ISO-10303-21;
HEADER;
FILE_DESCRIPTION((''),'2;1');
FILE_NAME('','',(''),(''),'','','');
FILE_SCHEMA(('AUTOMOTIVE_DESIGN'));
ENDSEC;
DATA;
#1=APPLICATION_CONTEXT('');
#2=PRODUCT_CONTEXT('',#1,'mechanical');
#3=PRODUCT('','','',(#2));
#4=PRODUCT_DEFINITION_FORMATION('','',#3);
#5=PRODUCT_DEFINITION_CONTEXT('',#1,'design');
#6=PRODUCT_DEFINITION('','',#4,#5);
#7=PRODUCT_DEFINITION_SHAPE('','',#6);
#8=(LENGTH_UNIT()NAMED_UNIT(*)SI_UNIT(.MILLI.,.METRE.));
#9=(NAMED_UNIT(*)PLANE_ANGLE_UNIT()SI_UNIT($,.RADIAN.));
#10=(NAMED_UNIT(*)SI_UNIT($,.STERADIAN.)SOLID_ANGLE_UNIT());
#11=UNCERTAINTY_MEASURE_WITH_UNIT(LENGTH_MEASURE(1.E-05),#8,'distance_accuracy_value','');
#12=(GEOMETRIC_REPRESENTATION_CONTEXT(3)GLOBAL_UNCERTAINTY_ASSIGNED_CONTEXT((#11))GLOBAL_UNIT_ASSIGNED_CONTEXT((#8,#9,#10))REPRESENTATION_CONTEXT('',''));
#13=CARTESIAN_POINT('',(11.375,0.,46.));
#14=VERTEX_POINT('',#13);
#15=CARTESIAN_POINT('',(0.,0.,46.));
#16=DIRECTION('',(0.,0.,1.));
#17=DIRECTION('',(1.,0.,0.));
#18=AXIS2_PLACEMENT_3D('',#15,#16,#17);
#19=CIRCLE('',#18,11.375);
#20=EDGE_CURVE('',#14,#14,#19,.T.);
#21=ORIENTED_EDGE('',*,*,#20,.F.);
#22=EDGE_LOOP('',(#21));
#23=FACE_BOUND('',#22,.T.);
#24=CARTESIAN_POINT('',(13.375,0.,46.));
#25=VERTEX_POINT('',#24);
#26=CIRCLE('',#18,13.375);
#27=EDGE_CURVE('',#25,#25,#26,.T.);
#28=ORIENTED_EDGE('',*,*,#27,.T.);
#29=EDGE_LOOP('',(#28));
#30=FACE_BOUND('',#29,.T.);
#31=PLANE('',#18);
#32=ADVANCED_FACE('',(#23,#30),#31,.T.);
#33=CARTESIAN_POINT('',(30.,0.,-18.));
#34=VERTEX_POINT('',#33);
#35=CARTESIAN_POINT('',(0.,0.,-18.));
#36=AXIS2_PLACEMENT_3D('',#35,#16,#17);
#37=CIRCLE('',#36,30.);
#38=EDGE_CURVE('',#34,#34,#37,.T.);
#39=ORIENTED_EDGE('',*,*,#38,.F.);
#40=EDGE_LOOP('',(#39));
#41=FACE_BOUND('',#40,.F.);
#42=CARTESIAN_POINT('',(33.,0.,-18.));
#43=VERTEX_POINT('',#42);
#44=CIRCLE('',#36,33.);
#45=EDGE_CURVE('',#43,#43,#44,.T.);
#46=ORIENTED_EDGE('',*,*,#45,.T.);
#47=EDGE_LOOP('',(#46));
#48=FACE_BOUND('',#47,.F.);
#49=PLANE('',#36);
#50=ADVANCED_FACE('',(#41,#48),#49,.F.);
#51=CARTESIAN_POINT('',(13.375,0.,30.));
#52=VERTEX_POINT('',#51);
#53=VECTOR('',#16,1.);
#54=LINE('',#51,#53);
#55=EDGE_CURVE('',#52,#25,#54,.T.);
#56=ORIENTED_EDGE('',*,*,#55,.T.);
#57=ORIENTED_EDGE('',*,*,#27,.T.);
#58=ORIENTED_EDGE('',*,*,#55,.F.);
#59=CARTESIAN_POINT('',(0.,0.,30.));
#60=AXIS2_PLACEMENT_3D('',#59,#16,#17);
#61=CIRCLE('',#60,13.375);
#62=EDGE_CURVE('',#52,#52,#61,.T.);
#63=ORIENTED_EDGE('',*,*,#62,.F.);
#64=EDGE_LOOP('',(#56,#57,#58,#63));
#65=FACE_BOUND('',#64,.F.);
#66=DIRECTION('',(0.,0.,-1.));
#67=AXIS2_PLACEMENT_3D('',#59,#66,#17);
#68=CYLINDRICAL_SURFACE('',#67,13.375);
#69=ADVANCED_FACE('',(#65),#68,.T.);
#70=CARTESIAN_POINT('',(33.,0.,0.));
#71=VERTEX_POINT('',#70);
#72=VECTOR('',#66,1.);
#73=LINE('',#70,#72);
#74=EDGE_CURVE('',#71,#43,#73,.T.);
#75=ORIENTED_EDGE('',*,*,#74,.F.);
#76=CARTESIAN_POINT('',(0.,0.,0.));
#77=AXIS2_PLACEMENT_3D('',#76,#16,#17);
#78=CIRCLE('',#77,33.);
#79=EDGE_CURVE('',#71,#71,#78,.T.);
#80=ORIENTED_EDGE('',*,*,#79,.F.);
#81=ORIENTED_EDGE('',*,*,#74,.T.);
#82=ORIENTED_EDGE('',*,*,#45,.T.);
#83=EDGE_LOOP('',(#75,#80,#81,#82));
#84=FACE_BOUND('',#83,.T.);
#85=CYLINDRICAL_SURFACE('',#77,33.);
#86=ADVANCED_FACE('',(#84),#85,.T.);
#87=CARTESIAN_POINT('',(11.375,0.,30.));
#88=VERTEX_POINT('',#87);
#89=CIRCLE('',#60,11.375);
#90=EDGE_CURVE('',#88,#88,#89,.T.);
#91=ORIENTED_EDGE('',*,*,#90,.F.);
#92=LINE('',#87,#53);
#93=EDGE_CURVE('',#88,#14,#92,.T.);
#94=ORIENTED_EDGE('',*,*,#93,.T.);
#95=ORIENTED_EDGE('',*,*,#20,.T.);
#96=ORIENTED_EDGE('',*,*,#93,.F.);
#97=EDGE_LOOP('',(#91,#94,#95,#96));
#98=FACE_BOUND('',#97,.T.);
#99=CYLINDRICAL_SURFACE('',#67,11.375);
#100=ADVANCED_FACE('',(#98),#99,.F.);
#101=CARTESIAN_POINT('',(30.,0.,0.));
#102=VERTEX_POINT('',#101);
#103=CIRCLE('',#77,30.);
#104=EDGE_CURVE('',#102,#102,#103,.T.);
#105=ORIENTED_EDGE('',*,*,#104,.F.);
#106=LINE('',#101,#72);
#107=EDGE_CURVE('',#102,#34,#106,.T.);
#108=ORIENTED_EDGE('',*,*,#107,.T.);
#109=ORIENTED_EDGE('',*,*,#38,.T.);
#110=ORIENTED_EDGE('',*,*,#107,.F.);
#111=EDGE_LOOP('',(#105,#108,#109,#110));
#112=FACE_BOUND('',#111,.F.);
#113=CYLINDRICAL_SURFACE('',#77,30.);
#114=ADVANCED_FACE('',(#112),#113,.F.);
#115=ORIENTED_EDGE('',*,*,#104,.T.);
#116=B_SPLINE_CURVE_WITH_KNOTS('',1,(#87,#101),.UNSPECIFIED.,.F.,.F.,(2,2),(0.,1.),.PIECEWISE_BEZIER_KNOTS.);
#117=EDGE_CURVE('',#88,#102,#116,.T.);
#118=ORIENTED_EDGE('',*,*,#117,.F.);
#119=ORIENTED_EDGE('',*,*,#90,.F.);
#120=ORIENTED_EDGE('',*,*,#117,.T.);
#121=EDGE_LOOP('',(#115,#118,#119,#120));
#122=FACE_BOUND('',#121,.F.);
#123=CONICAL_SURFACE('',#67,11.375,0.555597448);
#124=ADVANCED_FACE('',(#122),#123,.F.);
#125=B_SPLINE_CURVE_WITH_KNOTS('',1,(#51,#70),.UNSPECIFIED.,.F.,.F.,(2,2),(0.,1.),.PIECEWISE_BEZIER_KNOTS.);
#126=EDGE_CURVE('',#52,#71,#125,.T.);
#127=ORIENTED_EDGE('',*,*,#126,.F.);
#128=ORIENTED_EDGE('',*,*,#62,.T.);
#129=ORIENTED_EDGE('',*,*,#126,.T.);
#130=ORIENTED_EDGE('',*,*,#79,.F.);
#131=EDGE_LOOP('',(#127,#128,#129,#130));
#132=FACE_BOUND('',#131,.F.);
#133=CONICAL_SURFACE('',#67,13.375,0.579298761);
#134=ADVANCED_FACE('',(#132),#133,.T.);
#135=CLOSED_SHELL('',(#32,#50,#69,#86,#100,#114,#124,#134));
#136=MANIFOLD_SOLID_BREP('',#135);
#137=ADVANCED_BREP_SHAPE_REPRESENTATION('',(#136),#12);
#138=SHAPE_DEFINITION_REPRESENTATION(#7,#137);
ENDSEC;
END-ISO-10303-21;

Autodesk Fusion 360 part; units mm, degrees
sketch "Boceto1" plane through (0, 0, 0) normal (0, 0, 1) x (1, 0, 0)
  circle A0 centre (0, 0) radius 30
  circle A1 centre (0, 0) radius 33
  dimension "d1" = 60
  dimension "d10" = 3
ref_plane "PlanoDeObra1" through (0, 0, 30) normal (0, 0, 1) x (1, 0, 0)
sketch "Boceto2" plane through (0, 0, 30) normal (0, 0, 1) x (1, 0, 0)
  circle A0 centre (0, 0) radius 13.375
  circle A1 centre (0, 0) radius 11.375
  dimension "d4" = 26.75
  dimension "d5" = -2
loft "Solevación1" add profiles "Boceto2", "Boceto1" section 1 section 2
loft "Solevación2" cut profiles "Boceto2", "Boceto1" section 1 contours A1 section 2 contours A0
extrude "Extruir1" add sketch "Boceto2" along normal blind 16
extrude "Extruir2" add sketch "Boceto1" against normal blind 18
sketch "Boceto3" plane through (0, 0, 0) normal (0, 0, 1) x (1, 0, 0)
